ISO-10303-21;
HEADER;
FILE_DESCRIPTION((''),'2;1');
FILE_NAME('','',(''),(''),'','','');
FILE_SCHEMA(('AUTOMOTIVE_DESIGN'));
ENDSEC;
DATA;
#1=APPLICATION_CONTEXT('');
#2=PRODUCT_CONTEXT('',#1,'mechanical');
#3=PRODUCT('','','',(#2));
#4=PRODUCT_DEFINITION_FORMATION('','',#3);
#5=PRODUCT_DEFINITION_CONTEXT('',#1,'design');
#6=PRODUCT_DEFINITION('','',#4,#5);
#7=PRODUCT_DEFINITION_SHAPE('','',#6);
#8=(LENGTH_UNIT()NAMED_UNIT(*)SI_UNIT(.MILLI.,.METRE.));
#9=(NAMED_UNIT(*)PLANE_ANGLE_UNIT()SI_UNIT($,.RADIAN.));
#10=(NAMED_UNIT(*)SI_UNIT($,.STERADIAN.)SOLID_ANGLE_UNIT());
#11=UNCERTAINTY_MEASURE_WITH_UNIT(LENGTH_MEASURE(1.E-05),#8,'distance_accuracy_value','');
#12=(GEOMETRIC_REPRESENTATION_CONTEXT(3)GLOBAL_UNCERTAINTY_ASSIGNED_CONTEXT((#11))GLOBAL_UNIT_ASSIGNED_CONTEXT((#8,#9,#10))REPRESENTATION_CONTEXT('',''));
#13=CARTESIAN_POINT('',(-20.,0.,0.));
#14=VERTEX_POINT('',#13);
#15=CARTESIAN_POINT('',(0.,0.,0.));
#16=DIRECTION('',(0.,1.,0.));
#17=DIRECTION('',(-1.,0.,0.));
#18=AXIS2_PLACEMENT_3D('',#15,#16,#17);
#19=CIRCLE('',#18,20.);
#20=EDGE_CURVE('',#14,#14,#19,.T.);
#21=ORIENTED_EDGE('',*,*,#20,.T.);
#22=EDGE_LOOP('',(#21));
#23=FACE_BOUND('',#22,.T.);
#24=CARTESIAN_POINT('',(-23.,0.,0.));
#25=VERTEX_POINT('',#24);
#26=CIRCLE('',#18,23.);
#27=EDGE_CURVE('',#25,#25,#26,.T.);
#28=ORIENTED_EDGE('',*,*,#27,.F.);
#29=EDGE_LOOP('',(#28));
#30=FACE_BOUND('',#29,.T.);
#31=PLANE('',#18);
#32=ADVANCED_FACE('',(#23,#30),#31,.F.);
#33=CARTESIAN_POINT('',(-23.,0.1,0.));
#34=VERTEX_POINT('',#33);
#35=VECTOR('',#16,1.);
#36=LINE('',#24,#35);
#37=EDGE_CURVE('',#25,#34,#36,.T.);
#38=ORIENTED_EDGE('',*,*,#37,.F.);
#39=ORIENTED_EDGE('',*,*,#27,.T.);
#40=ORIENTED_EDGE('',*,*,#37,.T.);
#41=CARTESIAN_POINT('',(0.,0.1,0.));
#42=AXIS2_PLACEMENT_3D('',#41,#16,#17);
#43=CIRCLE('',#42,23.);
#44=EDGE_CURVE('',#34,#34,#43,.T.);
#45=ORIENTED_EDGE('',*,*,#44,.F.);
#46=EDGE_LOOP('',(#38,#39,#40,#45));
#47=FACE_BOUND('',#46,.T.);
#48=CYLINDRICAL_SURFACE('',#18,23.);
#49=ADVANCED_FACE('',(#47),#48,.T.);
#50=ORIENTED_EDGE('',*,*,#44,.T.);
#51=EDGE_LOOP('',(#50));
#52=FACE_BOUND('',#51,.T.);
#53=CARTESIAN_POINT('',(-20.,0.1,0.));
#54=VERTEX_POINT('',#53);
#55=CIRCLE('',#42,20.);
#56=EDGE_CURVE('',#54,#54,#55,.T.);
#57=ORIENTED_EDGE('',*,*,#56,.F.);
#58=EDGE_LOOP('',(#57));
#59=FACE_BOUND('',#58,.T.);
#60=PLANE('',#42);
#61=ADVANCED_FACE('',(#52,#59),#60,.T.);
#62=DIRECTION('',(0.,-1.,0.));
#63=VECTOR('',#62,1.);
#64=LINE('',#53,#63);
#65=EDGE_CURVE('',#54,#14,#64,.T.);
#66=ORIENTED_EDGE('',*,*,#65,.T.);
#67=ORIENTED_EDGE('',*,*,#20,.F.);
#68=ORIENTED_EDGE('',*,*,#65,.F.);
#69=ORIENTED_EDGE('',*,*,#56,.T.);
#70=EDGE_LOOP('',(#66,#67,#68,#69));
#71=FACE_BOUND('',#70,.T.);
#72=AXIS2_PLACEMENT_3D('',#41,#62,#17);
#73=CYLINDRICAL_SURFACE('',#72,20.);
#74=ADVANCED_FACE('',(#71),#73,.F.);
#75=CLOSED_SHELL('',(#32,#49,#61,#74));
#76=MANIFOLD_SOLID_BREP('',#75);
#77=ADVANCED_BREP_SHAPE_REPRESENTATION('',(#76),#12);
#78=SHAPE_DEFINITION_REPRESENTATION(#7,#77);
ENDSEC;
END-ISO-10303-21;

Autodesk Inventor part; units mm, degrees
ref_plane "YZ Plane" through (0, 0, 0) normal (1, 0, 0) x (0, 1, 0)
ref_plane "XZ Plane" through (0, 0, 0) normal (0, 1, 0) x (-1, 0, 0)
ref_plane "XY Plane" through (0, 0, 0) normal (0, 0, 1) x (1, 0, 0)
sketch "Sketch1" plane through (0, 0, 0) normal (0, 0, 1) x (1, 0, 0)
  line L0 (-20, 0) -> (-23, 0)
  line L1 (-23, 0) -> (-23, 0.1)
  line L2 (-23, 0.1) -> (-20, 0.1)
  line L3 (-20, 0.1) -> (-20, 0)
  line L4 (0, -0.02) -> (0, 0.12) projected
  point P0 (0, 0)
  dimension "d0" = 20
  dimension "d1" = 23
  dimension "d2" = 0.1
revolve "Revolution1" add sketch "Sketch1" angle 360 about axis through (0, -10, 0) along (0, 1, 0)
properties part number "TorsionOscillator-IsolationRing" material "Paper"
